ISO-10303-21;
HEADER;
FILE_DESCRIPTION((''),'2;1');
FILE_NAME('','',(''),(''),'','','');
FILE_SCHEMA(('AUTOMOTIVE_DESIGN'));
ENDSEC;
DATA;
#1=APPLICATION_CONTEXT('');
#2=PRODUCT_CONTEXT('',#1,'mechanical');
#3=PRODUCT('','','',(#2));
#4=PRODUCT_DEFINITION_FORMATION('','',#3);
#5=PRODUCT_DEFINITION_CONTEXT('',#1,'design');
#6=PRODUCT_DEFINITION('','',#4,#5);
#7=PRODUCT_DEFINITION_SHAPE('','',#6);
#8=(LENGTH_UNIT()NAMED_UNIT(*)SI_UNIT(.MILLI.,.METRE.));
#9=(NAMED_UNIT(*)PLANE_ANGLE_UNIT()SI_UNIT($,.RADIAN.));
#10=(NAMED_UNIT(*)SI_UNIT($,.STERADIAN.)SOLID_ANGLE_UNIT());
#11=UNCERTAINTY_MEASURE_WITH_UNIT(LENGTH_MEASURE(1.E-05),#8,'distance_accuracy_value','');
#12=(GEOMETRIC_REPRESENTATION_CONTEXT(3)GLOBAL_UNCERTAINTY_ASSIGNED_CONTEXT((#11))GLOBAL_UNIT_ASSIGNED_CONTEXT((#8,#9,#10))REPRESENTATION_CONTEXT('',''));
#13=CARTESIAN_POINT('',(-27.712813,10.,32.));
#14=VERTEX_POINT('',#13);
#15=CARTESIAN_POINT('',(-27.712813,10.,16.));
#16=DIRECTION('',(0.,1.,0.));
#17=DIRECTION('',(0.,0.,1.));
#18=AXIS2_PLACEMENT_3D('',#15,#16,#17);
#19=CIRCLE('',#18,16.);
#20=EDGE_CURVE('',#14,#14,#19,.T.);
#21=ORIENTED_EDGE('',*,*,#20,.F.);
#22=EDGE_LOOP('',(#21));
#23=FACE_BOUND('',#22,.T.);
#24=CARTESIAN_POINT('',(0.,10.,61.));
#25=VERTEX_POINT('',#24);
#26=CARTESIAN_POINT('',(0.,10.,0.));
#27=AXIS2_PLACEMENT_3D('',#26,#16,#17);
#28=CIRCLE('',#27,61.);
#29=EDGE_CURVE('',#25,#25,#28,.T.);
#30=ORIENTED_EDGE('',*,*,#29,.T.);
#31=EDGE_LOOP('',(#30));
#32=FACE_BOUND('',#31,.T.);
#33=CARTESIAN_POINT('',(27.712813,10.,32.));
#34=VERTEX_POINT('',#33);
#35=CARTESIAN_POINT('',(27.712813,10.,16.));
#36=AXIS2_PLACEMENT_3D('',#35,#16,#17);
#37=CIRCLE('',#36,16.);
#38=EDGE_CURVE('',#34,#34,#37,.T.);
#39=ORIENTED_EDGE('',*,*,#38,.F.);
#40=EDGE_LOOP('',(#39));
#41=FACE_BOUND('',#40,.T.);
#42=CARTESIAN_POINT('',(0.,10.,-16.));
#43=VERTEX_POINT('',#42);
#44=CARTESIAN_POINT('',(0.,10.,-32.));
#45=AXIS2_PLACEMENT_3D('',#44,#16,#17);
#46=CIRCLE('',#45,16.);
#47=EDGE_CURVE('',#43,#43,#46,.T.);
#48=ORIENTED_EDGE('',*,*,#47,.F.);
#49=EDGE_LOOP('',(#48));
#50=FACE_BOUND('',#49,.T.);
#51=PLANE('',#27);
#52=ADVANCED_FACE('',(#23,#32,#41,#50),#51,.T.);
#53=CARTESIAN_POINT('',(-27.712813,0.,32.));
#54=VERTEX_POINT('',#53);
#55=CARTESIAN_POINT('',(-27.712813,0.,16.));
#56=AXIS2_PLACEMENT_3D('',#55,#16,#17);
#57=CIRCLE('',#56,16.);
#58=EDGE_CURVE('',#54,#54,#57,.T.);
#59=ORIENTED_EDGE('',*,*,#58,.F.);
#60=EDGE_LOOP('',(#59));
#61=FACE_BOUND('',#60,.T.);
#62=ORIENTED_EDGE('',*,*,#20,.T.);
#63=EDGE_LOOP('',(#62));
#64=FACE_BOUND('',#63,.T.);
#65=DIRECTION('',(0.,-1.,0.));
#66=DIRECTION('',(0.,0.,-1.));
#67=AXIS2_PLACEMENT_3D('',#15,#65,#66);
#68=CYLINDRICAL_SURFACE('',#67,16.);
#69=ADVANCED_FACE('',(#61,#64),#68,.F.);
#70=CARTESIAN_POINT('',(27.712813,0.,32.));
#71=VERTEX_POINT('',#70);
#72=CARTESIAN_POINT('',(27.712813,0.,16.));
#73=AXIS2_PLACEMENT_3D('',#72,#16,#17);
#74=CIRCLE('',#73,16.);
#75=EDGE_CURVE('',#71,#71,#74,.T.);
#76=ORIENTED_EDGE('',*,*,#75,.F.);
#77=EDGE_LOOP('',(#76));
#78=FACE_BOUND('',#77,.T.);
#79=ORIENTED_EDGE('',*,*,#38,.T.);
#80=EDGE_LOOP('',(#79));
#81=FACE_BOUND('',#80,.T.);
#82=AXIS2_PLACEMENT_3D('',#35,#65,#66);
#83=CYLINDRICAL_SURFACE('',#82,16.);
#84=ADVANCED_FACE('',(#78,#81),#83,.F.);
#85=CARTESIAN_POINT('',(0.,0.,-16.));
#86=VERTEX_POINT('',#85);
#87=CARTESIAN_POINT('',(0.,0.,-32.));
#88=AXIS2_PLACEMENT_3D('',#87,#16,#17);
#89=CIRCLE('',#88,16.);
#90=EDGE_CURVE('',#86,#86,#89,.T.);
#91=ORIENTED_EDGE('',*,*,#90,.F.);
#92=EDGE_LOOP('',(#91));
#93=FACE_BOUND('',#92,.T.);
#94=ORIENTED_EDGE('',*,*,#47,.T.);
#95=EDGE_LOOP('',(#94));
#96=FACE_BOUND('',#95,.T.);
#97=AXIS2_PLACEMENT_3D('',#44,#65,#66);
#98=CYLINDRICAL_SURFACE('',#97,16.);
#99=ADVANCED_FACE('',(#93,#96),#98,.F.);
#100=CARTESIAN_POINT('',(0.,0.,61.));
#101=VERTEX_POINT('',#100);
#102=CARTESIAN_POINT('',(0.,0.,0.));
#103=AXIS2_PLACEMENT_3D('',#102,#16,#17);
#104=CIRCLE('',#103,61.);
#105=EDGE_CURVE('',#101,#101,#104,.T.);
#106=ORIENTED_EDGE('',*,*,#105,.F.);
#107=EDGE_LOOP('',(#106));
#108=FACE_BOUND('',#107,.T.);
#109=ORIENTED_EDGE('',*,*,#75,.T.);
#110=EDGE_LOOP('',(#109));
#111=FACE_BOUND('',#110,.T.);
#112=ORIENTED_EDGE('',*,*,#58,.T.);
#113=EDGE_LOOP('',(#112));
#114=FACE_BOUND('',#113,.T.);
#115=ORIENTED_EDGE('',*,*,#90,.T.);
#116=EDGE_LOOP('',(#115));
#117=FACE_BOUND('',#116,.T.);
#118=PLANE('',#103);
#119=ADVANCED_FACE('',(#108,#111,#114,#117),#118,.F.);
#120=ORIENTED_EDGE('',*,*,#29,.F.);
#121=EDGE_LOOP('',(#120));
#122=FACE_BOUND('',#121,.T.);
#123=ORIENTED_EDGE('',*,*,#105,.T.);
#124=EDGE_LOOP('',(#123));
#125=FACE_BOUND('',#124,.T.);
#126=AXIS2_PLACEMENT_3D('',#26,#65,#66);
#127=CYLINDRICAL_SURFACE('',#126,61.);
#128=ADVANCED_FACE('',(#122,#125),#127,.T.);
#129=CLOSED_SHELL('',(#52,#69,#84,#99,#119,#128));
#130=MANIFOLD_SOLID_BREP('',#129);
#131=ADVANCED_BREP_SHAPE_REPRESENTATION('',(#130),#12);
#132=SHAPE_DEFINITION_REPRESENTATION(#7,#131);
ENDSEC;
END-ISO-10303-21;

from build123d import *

# Parameters (mm, degrees)
SZKIC1_R                    = 61
SZKIC1_R_2                  = 16
DODANIE_WYCI_GNI_CIE1_DEPTH = 10


with BuildPart() as part:
    # Szkic1 → Dodanie-wyciągnięcie1 (new body)
    with BuildSketch(Plane(origin=(0, 0, 0), x_dir=(1, 0, 0), z_dir=(0, 1, 0))):
        with Locations(Location((0, 0, 0), (0, 0, 270))):
            Circle(SZKIC1_R)
        with Locations(Location((0, 32, 0), (0, 0, 270))):
            Circle(SZKIC1_R_2, mode=Mode.SUBTRACT)
        with Locations(Location((27.712812921, -16, 0), (0, 0, 270))):
            Circle(SZKIC1_R_2, mode=Mode.SUBTRACT)
        with Locations(Location((-27.712812921, -16, 0), (0, 0, 270))):
            Circle(SZKIC1_R_2, mode=Mode.SUBTRACT)
    extrude(amount=DODANIE_WYCI_GNI_CIE1_DEPTH)


solid = part.part
